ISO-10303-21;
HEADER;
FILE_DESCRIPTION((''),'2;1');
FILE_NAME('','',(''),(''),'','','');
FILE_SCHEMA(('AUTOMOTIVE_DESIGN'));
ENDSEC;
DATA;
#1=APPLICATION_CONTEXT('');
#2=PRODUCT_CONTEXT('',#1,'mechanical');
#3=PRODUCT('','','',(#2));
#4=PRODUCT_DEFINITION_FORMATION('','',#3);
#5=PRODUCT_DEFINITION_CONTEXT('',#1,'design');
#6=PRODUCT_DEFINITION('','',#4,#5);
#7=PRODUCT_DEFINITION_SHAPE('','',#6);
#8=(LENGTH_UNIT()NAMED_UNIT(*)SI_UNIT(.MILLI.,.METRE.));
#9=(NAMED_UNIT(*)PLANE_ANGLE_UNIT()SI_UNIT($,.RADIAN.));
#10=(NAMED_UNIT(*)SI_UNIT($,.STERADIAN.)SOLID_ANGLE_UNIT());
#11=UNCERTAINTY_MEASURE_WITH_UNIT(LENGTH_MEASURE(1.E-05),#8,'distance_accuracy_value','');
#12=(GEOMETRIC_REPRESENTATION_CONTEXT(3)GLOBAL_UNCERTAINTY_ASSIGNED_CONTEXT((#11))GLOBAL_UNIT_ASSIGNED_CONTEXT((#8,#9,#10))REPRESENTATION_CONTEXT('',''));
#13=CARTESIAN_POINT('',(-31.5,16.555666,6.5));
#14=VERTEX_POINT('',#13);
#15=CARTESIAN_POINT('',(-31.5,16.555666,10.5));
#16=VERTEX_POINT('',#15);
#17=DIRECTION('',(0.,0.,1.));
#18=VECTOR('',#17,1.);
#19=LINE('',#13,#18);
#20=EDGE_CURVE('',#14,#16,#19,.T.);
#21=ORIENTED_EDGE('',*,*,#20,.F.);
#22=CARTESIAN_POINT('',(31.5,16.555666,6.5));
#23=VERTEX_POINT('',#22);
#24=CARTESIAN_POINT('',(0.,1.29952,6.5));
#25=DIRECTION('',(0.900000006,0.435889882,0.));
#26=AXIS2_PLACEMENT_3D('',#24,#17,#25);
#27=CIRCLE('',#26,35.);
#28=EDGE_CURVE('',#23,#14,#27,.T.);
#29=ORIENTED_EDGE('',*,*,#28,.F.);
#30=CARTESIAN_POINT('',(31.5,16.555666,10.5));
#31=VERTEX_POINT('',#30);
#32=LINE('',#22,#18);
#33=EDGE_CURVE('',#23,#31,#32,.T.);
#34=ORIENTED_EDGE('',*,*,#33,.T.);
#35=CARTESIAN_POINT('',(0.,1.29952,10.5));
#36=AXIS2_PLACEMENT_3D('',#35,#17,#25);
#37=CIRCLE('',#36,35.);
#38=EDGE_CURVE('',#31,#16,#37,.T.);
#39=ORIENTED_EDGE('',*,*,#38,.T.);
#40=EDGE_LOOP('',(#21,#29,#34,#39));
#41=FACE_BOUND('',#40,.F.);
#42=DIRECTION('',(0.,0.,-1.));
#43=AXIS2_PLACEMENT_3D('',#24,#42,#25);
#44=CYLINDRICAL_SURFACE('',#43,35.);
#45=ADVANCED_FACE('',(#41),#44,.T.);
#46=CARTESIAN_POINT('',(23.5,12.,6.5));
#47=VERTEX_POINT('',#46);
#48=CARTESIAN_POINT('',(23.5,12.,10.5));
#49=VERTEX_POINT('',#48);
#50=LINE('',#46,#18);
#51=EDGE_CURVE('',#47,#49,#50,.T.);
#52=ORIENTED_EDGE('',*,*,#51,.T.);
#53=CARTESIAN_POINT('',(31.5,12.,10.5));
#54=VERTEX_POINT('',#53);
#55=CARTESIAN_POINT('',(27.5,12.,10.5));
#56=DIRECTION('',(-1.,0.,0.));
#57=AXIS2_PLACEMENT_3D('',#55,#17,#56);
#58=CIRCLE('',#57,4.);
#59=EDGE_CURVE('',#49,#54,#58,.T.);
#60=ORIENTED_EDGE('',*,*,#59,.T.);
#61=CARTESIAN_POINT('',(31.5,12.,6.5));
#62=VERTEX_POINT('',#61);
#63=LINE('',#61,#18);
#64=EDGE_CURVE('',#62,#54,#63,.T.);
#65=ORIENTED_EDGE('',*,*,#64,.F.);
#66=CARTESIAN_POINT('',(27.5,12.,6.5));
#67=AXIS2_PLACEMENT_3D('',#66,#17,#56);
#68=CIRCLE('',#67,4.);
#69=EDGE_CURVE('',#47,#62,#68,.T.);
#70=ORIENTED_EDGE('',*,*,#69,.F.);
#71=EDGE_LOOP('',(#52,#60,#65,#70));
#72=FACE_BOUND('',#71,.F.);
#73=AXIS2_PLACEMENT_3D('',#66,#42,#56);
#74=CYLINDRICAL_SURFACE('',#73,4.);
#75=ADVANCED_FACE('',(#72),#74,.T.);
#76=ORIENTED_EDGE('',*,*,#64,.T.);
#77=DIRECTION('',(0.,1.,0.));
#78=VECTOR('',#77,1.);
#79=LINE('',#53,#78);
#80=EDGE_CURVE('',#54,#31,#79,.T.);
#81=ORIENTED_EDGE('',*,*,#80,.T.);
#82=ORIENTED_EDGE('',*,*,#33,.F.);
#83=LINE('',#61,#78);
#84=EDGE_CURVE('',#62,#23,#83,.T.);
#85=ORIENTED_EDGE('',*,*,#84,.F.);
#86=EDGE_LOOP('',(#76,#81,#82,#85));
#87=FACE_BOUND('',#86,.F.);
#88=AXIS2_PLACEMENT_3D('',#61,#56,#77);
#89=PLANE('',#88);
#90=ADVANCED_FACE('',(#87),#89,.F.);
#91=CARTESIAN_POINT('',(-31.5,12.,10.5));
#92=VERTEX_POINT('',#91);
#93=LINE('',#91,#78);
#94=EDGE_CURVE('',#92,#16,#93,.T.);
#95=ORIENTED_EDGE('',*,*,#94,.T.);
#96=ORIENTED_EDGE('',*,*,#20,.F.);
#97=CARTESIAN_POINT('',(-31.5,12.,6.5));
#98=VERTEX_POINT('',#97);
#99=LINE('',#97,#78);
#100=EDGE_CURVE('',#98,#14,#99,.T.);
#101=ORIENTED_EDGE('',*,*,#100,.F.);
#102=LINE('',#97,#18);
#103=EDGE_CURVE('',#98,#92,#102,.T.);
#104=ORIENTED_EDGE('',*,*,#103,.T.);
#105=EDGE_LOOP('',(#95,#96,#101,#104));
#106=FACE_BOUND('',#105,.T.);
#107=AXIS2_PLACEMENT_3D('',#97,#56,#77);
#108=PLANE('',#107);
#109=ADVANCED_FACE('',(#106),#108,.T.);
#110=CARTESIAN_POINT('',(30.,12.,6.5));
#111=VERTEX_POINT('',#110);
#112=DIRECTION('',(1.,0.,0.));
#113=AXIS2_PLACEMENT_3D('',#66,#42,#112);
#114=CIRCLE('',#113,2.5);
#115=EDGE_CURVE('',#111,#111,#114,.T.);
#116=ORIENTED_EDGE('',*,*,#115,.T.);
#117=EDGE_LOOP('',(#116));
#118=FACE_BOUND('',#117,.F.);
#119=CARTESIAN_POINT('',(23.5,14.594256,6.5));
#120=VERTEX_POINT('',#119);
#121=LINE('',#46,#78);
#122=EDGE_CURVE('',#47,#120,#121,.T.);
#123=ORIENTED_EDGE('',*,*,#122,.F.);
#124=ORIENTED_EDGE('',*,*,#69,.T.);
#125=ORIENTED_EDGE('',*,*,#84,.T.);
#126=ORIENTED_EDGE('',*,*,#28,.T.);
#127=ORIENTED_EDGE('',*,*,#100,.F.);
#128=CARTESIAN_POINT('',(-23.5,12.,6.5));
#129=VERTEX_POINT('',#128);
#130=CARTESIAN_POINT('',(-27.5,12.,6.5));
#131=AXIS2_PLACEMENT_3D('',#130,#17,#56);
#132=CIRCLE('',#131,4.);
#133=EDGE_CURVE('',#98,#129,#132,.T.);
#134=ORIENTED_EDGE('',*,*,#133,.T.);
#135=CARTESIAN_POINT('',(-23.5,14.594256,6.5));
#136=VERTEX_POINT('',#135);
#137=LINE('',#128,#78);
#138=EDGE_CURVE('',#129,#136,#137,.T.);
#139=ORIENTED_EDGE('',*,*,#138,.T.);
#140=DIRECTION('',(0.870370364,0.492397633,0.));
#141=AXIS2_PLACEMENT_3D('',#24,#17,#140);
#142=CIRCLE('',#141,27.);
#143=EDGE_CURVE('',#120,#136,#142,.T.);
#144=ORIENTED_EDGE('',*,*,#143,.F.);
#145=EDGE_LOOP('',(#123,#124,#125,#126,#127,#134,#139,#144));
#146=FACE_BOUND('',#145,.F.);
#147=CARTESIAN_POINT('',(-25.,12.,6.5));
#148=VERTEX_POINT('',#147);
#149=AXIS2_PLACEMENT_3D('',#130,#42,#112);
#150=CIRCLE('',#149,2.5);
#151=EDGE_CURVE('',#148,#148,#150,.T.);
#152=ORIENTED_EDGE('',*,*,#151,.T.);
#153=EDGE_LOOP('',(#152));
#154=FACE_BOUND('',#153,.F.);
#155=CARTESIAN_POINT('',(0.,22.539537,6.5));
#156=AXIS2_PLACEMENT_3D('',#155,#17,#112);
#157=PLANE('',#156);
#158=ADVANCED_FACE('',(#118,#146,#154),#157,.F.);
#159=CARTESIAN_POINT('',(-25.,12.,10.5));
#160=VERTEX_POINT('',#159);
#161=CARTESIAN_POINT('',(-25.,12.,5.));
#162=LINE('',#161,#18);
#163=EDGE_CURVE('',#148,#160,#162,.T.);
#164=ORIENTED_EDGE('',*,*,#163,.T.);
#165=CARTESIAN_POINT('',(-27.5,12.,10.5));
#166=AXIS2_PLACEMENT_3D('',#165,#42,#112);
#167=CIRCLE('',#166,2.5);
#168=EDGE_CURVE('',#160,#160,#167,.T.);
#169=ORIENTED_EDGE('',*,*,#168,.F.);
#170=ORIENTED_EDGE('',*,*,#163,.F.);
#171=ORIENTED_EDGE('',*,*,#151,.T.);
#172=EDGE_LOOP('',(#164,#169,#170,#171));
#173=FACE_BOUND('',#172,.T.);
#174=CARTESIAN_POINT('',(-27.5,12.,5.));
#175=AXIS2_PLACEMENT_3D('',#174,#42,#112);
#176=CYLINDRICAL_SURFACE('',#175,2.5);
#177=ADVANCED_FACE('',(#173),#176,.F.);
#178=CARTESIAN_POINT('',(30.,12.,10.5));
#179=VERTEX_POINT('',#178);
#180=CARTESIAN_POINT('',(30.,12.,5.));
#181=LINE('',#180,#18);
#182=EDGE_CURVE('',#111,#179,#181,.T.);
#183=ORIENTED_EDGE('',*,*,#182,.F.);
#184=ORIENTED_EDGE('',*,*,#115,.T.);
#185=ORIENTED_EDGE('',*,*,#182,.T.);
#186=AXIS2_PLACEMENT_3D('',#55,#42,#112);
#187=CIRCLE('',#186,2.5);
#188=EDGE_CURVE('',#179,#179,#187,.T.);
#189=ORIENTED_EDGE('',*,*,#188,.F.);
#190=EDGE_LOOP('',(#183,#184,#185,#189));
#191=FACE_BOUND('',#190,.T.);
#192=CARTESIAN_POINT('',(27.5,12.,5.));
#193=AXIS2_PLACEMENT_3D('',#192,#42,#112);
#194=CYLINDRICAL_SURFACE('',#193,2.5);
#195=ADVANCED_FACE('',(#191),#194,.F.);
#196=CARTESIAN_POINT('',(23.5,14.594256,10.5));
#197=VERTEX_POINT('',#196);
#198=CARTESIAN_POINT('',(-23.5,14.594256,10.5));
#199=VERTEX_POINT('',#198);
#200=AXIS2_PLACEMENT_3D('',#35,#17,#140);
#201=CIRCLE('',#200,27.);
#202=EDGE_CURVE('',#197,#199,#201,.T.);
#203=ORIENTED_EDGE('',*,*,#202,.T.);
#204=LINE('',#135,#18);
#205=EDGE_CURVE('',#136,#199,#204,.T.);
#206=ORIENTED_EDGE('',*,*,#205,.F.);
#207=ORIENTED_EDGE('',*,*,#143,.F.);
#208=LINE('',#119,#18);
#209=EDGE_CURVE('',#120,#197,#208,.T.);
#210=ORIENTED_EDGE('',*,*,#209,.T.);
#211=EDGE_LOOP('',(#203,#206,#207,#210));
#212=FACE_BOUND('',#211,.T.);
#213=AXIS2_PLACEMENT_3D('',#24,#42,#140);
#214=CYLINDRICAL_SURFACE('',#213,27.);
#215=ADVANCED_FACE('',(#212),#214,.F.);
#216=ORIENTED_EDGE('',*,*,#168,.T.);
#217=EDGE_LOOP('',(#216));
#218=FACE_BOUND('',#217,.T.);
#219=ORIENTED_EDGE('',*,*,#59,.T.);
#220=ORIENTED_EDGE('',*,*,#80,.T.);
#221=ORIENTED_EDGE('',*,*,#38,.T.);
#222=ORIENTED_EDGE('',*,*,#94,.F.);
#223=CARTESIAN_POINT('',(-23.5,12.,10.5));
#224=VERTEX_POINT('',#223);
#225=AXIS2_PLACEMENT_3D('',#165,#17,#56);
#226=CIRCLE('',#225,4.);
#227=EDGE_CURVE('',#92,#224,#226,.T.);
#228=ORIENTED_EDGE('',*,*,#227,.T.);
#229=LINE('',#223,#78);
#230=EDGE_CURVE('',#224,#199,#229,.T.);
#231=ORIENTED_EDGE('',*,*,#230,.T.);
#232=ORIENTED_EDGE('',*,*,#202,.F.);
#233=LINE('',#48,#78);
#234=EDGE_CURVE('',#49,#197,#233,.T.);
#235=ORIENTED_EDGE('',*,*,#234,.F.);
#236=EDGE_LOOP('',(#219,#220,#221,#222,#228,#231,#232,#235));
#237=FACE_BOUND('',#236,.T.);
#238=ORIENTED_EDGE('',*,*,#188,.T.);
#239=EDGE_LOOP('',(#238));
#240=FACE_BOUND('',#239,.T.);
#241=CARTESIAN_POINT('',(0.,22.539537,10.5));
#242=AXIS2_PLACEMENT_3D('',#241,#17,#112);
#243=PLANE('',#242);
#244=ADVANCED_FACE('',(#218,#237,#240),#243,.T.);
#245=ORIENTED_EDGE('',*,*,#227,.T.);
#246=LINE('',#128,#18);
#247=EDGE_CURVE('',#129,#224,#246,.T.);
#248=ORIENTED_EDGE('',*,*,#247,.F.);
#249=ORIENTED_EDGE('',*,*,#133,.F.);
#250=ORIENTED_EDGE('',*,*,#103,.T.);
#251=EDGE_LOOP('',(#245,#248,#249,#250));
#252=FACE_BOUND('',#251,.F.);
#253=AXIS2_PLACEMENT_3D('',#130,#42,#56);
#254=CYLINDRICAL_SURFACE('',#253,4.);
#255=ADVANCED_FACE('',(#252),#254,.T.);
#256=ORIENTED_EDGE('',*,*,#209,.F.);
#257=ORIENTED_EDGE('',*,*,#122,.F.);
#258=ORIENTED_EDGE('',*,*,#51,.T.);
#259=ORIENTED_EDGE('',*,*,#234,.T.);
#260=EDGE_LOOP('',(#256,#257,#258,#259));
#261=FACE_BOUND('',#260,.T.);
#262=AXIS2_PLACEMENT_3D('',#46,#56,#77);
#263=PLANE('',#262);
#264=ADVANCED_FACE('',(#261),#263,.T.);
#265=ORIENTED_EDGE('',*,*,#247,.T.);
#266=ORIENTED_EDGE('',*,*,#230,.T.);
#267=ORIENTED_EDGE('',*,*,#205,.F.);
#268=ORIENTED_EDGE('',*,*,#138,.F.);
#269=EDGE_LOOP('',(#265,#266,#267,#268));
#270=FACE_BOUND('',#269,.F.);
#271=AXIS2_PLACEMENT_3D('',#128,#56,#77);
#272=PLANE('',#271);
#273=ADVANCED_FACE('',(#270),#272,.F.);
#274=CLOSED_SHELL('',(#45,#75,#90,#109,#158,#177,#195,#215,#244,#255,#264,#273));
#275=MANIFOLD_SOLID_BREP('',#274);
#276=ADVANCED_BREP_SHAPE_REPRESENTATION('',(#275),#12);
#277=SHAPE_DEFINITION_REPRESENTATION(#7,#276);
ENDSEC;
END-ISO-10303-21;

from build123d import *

# Parameters (mm, degrees)
CYLINDER023_R     = 2.5
CYLINDER023_DEPTH = 7.5
CYLINDER022_R     = 2.5
CYLINDER022_DEPTH = 7.5
EXTRUDE001_DEPTH  = 4


with BuildPart() as cilindro018:
    # Cylinder023 → Cylinder023 (new body)
    with BuildSketch(Plane(origin=(27.5, 12, 5), x_dir=(1, 0, 0), z_dir=(0, 0, 1))):
        Circle(CYLINDER023_R)
    extrude(amount=CYLINDER023_DEPTH)


with BuildPart() as fusion011:
    # Cylinder022 → Cylinder022 (new body)
    with BuildSketch(Plane(origin=(-27.5, 12, 5), x_dir=(1, 0, 0), z_dir=(0, 0, 1))):
        Circle(CYLINDER022_R)
    extrude(amount=CYLINDER022_DEPTH)

    # Fusion011: union Cilindro018
    add(cilindro018.part)


with BuildPart() as cut005:
    # Sketch006 (on Face2 of Cylinder008) → Extrude001 (new body)
    with BuildSketch(Plane(origin=(0, 12, 1.5), x_dir=(1, 0, 0), z_dir=(0, 0, 1))):
        with BuildLine():
            ThreePointArc((23.5, 0), (27.5, -4), (31.5, 0))
            Line((31.5, 0), (31.5, 4.555666))
            ThreePointArc((31.5, 4.555666), (0, 24.29952), (-31.5, 4.555666))
            Line((-31.5, 0), (-31.5, 4.555666))
            ThreePointArc((-31.5, 0), (-27.5, -4), (-23.5, 0))
            Line((-23.5, 0), (-23.5, 2.594256))
            ThreePointArc((23.5, 2.594256), (0, 16.29952), (-23.5, 2.594256))
            Line((23.5, 0), (23.5, 2.594256))
        make_face()
    extrude(amount=EXTRUDE001_DEPTH)


with BuildPart() as cut005_1:
    # Extrude001 placement: moved
    add(cut005.part.moved(Location((0, 0, 5))))

    # Cut005: cut Fusion011
    add(fusion011.part, mode=Mode.SUBTRACT)


solid = cut005_1.part
